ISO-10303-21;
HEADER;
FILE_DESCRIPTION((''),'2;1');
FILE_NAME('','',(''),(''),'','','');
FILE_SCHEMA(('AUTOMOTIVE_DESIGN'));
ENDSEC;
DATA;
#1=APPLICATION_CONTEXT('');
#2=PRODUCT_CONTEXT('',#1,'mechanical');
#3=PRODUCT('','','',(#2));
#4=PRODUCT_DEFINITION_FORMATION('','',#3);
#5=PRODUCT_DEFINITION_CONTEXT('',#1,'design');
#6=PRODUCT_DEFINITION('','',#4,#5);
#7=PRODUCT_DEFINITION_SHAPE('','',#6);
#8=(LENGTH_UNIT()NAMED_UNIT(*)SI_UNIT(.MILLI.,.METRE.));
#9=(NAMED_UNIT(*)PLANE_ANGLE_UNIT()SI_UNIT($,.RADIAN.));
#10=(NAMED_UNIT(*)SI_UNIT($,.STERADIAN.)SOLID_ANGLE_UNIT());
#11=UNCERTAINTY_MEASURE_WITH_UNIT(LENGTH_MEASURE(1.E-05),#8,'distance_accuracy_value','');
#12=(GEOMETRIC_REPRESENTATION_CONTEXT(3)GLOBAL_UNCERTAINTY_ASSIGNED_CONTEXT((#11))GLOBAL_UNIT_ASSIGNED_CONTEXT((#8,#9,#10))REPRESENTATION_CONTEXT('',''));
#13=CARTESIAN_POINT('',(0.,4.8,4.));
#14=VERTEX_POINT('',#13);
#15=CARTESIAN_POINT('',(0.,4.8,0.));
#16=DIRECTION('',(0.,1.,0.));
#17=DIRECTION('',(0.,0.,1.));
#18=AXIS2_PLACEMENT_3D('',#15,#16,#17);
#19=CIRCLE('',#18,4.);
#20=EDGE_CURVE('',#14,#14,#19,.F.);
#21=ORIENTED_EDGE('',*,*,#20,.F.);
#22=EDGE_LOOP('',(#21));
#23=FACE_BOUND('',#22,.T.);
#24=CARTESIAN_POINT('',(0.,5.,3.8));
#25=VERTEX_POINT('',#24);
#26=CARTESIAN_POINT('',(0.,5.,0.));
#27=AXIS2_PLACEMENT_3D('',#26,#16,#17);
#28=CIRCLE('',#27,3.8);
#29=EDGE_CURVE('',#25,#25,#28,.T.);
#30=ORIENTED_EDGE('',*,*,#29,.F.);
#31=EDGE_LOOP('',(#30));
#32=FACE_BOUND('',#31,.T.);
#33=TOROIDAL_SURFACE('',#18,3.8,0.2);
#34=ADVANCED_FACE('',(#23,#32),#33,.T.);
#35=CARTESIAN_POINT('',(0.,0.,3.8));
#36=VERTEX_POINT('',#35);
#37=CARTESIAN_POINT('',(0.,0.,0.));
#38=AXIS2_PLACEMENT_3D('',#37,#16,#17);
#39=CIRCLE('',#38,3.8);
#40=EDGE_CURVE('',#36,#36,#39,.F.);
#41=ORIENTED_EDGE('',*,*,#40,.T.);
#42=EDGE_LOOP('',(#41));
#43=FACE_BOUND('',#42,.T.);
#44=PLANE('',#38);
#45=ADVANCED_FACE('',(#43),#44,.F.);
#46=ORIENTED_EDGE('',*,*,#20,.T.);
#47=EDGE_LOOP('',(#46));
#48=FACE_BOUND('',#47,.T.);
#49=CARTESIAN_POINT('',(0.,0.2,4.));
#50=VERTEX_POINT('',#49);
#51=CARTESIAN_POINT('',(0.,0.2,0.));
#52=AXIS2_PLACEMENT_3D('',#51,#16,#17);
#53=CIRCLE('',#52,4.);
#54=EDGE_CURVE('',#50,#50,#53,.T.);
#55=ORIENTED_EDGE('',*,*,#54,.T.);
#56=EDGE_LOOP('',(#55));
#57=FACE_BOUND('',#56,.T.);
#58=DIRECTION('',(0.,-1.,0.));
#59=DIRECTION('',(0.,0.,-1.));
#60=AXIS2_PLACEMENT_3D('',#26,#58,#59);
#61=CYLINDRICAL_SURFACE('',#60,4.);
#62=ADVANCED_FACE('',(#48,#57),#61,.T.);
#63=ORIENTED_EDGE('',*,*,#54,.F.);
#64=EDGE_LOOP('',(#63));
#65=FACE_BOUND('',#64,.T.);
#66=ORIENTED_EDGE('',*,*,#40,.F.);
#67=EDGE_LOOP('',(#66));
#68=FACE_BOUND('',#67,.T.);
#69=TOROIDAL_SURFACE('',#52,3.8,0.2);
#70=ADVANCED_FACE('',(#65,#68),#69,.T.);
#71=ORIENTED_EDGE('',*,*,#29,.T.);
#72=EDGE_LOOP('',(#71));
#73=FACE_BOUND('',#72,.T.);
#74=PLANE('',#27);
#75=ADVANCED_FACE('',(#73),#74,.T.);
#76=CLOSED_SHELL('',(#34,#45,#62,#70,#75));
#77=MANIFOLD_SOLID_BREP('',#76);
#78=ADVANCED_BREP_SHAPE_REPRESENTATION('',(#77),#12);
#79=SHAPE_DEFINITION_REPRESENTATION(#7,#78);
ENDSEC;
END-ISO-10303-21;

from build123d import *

# Parameters (mm, degrees)
SKETCH_1_R      = 4
EXTRUDE_1_DEPTH = 5
FILLET_1_R      = 0.2


with BuildPart() as part:
    # Эскиз1 → Бобышка-Вытянуть1 (new body)
    with BuildSketch(Plane(origin=(0, 0, 0), x_dir=(1, 0, 0), z_dir=(0, 1, 0))):
        with Locations(Location((0, 0, 0), (0, 0, 270))):
            Circle(SKETCH_1_R)
    extrude(amount=EXTRUDE_1_DEPTH)

    # Скругление1
    fillet_1_edges = [part.edges().sort_by_distance(p)[0] for p in [
        (0, 0, -4),
        (0, 5, -4),
    ]]
    fillet(fillet_1_edges, radius=FILLET_1_R)


solid = part.part
